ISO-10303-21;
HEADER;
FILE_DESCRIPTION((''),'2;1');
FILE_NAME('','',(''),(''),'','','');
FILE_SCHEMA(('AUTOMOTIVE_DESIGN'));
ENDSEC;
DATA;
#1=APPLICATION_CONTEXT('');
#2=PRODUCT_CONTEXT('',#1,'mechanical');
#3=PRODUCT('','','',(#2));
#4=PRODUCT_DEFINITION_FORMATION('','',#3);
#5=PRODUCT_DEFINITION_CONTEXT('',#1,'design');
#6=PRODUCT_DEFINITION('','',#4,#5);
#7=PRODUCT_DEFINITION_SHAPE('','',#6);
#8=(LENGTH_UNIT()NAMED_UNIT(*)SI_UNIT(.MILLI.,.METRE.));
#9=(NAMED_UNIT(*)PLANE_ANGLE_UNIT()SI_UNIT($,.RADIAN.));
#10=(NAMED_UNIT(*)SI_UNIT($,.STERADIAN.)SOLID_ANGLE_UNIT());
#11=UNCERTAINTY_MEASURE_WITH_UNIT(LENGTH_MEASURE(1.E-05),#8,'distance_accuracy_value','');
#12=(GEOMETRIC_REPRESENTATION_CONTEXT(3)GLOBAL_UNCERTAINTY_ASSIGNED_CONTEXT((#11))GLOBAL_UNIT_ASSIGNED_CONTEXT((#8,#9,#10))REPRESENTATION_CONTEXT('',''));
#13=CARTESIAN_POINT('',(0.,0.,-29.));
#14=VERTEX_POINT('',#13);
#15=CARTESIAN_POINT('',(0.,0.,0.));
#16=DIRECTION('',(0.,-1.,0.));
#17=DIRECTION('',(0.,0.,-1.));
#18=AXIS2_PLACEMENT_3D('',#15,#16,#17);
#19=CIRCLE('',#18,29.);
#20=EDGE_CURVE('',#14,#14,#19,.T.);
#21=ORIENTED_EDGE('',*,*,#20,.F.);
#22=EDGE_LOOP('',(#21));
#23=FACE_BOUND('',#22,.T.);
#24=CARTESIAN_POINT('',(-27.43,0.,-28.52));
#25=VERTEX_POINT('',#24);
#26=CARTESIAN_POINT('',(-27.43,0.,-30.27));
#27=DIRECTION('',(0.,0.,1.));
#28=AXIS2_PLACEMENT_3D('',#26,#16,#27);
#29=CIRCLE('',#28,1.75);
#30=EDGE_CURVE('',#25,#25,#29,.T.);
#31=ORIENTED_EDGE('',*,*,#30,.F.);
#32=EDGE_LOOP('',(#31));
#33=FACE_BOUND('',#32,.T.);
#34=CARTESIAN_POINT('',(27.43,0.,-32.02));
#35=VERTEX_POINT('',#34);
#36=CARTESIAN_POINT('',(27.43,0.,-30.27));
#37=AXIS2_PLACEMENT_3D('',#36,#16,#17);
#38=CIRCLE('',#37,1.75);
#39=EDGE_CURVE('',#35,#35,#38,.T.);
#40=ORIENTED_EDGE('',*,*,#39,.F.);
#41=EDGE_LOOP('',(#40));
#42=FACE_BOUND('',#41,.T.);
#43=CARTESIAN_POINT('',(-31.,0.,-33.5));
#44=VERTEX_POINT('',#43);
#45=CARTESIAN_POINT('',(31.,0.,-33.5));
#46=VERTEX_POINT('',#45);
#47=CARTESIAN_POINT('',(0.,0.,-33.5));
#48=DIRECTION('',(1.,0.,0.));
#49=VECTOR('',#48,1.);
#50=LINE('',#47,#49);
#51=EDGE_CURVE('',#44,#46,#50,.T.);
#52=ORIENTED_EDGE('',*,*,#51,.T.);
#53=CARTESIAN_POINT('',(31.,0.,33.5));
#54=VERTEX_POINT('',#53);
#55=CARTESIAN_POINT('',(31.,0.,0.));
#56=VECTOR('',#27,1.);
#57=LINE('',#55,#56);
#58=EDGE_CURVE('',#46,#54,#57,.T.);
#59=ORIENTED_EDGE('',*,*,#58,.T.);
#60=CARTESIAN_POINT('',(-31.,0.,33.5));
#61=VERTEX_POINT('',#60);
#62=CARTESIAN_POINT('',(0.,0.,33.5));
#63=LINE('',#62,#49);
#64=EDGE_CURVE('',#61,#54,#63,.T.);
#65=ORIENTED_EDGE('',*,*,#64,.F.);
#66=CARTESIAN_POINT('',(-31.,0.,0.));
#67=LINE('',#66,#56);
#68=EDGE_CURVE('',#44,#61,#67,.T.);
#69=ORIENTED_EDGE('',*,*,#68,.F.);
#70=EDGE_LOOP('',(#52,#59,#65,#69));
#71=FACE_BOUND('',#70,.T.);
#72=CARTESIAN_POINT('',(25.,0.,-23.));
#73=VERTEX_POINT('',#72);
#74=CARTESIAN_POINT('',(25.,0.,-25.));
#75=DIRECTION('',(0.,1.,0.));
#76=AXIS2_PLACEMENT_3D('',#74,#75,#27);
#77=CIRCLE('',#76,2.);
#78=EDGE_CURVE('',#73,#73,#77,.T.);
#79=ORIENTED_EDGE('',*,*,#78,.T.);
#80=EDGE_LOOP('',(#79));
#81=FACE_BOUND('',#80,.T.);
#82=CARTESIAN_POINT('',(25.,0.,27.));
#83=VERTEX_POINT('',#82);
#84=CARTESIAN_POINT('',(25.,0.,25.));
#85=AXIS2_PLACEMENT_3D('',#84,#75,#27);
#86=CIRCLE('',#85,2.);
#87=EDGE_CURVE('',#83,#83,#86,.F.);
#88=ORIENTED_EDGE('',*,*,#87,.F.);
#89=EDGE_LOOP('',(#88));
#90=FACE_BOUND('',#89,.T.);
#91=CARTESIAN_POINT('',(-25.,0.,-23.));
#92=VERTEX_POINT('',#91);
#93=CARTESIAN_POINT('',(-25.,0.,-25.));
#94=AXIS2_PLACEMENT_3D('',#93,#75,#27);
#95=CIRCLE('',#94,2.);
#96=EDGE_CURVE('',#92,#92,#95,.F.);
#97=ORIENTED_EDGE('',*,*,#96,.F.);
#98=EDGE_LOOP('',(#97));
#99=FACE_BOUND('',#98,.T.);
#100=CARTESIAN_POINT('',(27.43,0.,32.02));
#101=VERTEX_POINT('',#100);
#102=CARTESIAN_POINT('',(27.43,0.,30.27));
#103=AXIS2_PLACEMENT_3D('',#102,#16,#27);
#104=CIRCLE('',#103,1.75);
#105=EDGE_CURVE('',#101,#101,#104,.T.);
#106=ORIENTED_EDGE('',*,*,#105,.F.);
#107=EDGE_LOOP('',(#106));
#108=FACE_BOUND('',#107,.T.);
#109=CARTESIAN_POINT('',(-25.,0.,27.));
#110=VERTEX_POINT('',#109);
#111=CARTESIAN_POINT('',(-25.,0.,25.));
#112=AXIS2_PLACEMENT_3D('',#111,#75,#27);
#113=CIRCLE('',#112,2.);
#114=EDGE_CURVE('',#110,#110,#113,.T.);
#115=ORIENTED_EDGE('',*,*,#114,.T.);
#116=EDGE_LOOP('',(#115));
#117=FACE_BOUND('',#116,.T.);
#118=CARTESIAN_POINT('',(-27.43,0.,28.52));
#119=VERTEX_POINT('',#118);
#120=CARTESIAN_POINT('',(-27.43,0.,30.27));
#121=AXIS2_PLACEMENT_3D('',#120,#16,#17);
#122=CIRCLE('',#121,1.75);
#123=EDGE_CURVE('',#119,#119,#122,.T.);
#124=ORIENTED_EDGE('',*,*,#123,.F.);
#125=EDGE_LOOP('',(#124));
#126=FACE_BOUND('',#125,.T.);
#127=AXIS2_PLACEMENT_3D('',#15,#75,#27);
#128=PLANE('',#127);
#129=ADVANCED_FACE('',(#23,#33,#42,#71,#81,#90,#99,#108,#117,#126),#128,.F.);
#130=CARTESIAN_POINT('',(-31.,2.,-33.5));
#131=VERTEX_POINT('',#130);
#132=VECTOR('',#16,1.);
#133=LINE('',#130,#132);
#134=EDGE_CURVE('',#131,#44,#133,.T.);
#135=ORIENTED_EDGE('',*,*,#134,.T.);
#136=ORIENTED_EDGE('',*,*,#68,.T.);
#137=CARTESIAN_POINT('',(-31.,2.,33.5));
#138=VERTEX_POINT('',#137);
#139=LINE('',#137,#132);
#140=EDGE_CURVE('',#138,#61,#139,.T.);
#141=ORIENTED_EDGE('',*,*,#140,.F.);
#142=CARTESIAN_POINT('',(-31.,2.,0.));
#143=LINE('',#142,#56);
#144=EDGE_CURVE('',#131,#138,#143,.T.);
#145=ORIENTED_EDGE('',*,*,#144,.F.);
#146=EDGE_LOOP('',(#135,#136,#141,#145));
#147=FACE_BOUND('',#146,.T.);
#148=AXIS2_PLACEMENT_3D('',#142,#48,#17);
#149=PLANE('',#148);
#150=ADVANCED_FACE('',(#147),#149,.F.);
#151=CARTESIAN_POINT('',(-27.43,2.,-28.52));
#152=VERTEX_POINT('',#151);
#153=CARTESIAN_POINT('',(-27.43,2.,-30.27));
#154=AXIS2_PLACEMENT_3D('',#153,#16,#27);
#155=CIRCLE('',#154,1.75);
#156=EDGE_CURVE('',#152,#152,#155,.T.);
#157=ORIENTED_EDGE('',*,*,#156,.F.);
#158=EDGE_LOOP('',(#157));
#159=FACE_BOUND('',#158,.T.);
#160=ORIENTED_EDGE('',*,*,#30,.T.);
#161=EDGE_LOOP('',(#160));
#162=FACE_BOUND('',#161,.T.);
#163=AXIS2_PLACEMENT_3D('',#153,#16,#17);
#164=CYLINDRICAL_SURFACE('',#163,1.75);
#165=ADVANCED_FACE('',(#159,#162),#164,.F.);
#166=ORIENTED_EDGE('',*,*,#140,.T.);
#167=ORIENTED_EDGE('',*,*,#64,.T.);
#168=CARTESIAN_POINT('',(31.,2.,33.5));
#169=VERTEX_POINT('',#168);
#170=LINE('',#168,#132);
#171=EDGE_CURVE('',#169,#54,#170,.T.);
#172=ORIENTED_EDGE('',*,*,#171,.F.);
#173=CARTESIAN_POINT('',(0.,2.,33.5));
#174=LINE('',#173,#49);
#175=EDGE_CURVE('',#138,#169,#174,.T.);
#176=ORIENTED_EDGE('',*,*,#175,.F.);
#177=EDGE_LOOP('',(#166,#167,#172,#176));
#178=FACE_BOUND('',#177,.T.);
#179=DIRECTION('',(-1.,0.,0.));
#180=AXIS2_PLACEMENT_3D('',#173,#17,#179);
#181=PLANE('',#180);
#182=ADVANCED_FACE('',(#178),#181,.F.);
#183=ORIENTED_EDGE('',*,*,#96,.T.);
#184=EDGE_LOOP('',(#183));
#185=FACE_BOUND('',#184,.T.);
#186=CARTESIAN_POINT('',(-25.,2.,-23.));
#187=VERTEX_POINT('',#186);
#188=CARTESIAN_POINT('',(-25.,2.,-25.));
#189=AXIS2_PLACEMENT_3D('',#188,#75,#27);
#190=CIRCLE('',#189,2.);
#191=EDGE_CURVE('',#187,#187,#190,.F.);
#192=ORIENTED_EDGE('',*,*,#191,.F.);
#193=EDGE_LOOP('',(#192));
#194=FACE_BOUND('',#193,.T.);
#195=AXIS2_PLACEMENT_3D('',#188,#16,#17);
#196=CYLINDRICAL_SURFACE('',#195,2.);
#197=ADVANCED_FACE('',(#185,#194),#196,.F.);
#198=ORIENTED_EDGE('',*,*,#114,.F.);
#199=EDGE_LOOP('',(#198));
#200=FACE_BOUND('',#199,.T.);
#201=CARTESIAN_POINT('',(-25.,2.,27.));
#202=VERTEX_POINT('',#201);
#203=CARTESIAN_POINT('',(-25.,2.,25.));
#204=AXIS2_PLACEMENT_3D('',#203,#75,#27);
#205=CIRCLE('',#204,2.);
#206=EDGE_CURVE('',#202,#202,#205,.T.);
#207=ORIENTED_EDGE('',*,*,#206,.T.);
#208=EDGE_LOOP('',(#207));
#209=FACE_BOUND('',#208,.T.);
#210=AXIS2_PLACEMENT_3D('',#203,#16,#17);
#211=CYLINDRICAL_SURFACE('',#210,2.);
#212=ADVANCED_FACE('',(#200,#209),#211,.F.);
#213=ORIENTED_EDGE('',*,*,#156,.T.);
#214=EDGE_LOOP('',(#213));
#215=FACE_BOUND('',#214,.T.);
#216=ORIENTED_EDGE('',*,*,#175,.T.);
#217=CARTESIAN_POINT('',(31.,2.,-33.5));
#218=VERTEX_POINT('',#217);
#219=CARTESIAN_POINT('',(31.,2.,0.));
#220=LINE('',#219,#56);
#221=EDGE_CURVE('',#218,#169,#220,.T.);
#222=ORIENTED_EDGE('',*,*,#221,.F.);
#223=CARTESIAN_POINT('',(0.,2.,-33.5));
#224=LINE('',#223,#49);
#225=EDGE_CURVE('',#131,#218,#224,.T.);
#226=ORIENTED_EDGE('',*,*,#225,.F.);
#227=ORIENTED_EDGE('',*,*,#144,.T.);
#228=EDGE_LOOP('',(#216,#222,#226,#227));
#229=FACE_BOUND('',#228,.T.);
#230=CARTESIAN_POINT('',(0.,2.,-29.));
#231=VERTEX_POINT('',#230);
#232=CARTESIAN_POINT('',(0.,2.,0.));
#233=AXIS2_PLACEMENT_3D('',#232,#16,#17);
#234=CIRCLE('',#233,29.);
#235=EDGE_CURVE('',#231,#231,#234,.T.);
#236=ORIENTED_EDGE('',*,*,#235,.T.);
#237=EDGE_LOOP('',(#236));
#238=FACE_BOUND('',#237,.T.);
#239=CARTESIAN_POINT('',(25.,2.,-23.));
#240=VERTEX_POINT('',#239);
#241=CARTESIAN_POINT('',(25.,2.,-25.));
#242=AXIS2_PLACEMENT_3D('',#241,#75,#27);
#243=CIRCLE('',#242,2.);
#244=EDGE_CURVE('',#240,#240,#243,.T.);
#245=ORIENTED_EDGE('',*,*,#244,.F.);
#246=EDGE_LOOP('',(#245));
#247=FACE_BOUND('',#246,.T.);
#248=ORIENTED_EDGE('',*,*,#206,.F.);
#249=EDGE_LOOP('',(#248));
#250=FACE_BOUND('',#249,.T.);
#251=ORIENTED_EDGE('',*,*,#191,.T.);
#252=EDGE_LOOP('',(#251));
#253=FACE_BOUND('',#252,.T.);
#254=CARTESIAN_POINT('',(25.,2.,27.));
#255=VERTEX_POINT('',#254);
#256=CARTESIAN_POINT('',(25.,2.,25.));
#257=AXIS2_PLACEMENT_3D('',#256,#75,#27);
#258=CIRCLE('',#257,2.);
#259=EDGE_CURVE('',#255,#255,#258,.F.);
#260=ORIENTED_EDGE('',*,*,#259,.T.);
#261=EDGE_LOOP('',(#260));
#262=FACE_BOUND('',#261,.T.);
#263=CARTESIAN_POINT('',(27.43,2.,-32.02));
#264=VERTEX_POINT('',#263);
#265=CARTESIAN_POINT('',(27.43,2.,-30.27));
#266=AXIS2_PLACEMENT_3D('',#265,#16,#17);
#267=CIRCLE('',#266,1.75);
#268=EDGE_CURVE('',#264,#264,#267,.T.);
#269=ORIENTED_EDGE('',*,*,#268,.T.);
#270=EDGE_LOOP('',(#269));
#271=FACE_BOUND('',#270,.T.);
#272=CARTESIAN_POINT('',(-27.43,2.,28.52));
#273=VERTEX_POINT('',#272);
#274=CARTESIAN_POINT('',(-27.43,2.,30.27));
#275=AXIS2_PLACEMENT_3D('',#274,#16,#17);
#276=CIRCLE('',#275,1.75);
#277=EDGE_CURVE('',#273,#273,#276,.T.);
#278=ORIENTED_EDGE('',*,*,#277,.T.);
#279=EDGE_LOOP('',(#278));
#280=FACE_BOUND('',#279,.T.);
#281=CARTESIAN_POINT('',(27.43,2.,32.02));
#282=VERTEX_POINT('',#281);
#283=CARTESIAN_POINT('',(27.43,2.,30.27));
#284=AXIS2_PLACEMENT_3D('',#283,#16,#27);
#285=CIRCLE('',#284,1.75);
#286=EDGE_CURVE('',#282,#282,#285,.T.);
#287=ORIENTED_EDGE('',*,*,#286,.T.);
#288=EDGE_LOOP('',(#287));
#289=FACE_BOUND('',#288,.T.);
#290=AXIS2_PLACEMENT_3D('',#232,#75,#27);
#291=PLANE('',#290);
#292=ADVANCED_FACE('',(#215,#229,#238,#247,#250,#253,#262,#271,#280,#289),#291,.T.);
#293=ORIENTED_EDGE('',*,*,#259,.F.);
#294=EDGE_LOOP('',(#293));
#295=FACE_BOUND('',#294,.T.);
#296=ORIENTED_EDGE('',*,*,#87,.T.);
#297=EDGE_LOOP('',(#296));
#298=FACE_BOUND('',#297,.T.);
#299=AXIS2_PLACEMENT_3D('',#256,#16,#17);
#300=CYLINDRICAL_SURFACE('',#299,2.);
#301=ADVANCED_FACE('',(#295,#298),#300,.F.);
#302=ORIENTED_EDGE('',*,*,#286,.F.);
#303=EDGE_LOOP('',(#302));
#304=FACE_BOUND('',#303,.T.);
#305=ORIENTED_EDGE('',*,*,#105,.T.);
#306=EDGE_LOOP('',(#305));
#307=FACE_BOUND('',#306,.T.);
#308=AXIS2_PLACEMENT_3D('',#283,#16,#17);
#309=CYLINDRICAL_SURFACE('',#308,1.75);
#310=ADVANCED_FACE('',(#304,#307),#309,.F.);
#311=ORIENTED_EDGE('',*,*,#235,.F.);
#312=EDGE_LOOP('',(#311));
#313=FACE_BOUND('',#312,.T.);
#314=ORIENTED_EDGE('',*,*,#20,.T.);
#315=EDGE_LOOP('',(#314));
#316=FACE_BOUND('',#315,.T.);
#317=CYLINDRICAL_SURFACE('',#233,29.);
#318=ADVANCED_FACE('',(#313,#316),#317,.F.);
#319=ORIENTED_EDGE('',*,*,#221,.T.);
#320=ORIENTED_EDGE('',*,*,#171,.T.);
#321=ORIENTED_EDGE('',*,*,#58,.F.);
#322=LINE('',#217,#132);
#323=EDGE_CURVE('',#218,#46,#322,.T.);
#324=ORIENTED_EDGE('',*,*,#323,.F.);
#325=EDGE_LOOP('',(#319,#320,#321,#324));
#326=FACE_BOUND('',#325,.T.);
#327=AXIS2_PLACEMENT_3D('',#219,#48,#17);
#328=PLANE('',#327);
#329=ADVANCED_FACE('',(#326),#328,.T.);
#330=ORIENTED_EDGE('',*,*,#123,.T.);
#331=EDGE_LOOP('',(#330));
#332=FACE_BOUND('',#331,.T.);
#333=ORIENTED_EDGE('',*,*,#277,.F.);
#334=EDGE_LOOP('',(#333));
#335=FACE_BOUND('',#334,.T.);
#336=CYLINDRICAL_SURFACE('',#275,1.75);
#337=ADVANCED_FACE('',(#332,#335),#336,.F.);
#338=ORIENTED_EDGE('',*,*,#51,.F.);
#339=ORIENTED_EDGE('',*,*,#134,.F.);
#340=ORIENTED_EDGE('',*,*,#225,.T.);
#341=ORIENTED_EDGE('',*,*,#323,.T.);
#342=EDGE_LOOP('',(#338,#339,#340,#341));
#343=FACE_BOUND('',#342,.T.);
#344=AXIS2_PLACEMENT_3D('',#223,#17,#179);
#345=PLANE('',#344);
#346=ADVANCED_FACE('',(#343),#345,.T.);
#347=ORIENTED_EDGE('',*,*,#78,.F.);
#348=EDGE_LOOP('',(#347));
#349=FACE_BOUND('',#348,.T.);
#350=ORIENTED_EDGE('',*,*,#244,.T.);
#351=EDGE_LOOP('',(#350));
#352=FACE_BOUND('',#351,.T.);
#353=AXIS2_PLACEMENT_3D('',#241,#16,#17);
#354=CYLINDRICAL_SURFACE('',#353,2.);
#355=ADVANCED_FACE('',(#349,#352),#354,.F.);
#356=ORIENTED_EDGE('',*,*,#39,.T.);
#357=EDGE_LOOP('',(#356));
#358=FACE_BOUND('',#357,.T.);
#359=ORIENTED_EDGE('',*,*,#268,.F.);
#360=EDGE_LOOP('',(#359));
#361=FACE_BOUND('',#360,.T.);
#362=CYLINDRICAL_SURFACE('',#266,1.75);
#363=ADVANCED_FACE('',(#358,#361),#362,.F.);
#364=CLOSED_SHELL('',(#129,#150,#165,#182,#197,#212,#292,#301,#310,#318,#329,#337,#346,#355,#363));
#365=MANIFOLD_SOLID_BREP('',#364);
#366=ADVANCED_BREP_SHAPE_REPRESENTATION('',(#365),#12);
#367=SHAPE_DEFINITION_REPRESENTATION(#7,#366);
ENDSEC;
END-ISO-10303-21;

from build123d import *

# Parameters (mm, degrees)
SKETCH_1_W          = 62
SKETCH_1_H          = 67
SKETCH_1_R          = 2
EXTRUDE_1_DEPTH     = 2
SKETCH_4_R          = 29
CUT_EXTRUDE_2_DEPTH = 2
SKETCH_5_R          = 1.75
CUT_EXTRUDE_3_DEPTH = 2


with BuildPart() as part:
    # Эскиз1 → Бобышка-Вытянуть1 (new body)
    with BuildSketch(Plane(origin=(0, 0, 0), x_dir=(1, 0, 0), z_dir=(0, 1, 0))):
        Rectangle(SKETCH_1_W, SKETCH_1_H)
        with Locations(Location((25, 25, 0), (0, 0, 270))):
            Circle(SKETCH_1_R, mode=Mode.SUBTRACT)
        with Locations(Location((-25, 25, 0), (0, 0, 270))):
            Circle(SKETCH_1_R, mode=Mode.SUBTRACT)
        with Locations(Location((25, -25, 0), (0, 0, 270))):
            Circle(SKETCH_1_R, mode=Mode.SUBTRACT)
        with Locations(Location((-25, -25, 0), (0, 0, 270))):
            Circle(SKETCH_1_R, mode=Mode.SUBTRACT)
    extrude(amount=EXTRUDE_1_DEPTH)

    # Эскиз4 → Вырез-Вытянуть2 (cut)
    with BuildSketch(Plane.XZ):
        with Locations(Location((0, 0, 0), (0, 0, 270))):
            Circle(SKETCH_4_R)
    extrude(amount=-CUT_EXTRUDE_2_DEPTH, mode=Mode.SUBTRACT)

    # Эскиз5 → Вырез-Вытянуть3 (cut)
    with BuildSketch(Plane.XZ):
        with Locations(Location((-27.43, 30.27, 0), (0, 0, 270))):
            Circle(SKETCH_5_R)
        with Locations(Location((-27.43, -30.27, 0), (0, 0, 90))):
            Circle(SKETCH_5_R)
        with Locations(Location((27.43, -30.27, 0), (0, 0, 270))):
            Circle(SKETCH_5_R)
        with Locations(Location((27.43, 30.27, 0), (0, 0, 90))):
            Circle(SKETCH_5_R)
    extrude(amount=-CUT_EXTRUDE_3_DEPTH, mode=Mode.SUBTRACT)


solid = part.part
